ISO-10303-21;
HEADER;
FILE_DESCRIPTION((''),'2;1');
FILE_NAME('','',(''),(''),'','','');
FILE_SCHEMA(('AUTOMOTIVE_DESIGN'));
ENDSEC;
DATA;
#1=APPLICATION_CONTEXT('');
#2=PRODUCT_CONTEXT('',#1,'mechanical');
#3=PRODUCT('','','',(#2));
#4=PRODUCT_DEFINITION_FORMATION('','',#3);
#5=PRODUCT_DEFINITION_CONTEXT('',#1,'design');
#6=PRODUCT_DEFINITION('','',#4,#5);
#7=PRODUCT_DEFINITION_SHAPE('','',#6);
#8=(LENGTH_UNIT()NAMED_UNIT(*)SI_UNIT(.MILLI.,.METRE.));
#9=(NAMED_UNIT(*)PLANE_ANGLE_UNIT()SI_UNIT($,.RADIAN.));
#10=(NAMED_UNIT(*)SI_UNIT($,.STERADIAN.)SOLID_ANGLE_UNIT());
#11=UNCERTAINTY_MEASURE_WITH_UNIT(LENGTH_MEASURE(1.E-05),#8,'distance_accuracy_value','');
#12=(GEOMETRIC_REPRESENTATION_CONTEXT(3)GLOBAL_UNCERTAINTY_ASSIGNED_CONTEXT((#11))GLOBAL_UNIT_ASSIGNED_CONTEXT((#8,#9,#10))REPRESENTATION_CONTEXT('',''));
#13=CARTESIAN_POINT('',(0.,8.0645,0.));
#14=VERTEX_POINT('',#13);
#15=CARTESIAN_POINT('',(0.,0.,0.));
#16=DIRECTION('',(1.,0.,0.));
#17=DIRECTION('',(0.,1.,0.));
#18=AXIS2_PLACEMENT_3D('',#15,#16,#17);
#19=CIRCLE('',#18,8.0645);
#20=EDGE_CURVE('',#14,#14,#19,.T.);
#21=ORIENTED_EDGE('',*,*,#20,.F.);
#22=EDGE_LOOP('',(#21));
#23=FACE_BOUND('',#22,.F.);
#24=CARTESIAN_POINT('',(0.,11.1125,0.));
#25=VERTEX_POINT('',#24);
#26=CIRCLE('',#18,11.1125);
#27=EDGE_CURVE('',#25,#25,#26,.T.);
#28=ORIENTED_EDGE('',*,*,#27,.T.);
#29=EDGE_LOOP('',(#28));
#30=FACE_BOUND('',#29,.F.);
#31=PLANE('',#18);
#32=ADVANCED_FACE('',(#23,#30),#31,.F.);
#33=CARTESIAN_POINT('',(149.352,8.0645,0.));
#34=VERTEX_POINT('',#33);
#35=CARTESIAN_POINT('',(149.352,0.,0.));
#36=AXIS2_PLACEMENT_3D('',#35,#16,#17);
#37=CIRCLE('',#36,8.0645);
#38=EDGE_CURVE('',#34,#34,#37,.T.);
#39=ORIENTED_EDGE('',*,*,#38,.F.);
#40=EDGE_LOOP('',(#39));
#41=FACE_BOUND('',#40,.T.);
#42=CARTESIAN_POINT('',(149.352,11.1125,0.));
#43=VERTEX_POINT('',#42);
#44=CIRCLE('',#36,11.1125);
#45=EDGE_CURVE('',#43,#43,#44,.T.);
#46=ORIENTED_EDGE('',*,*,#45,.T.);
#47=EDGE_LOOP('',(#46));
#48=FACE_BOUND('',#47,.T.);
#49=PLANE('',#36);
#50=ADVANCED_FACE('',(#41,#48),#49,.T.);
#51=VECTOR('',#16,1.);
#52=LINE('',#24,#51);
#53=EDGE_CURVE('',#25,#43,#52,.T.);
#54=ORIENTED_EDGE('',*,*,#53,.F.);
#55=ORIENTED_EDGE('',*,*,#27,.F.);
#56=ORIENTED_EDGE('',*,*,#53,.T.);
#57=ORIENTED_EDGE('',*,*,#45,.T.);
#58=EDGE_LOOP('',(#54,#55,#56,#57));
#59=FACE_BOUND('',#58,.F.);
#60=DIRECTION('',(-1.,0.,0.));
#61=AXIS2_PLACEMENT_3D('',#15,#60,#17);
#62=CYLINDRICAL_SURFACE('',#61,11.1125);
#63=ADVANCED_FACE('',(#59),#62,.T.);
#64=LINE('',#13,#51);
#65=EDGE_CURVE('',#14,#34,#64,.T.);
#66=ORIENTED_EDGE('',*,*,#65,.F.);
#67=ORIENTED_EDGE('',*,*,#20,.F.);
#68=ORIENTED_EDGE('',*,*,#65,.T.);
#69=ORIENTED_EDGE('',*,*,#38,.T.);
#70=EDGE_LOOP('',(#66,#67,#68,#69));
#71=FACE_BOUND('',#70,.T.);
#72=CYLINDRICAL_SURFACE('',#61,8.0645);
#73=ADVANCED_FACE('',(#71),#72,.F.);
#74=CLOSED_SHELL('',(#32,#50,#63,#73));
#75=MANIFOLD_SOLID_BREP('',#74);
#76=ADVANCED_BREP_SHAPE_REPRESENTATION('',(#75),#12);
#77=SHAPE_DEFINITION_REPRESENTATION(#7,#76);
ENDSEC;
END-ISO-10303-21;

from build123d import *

# Parameters (mm, degrees)
F0_R     = 11.1125
F1_DEPTH = 149.352
F2_T     = -3.048


with BuildPart() as f1:
    # F0 (on Right) → F1 (new body)
    with BuildSketch(Plane.YZ):
        Circle(F0_R)
    extrude(amount=F1_DEPTH)

    # F2
    f2_openings = [f1.faces().sort_by_distance(p)[0] for p in [
        (149.352, 0, 0),
        (0, 0, 0),
    ]]
    offset(amount=F2_T, openings=f2_openings)


solid = f1.part
